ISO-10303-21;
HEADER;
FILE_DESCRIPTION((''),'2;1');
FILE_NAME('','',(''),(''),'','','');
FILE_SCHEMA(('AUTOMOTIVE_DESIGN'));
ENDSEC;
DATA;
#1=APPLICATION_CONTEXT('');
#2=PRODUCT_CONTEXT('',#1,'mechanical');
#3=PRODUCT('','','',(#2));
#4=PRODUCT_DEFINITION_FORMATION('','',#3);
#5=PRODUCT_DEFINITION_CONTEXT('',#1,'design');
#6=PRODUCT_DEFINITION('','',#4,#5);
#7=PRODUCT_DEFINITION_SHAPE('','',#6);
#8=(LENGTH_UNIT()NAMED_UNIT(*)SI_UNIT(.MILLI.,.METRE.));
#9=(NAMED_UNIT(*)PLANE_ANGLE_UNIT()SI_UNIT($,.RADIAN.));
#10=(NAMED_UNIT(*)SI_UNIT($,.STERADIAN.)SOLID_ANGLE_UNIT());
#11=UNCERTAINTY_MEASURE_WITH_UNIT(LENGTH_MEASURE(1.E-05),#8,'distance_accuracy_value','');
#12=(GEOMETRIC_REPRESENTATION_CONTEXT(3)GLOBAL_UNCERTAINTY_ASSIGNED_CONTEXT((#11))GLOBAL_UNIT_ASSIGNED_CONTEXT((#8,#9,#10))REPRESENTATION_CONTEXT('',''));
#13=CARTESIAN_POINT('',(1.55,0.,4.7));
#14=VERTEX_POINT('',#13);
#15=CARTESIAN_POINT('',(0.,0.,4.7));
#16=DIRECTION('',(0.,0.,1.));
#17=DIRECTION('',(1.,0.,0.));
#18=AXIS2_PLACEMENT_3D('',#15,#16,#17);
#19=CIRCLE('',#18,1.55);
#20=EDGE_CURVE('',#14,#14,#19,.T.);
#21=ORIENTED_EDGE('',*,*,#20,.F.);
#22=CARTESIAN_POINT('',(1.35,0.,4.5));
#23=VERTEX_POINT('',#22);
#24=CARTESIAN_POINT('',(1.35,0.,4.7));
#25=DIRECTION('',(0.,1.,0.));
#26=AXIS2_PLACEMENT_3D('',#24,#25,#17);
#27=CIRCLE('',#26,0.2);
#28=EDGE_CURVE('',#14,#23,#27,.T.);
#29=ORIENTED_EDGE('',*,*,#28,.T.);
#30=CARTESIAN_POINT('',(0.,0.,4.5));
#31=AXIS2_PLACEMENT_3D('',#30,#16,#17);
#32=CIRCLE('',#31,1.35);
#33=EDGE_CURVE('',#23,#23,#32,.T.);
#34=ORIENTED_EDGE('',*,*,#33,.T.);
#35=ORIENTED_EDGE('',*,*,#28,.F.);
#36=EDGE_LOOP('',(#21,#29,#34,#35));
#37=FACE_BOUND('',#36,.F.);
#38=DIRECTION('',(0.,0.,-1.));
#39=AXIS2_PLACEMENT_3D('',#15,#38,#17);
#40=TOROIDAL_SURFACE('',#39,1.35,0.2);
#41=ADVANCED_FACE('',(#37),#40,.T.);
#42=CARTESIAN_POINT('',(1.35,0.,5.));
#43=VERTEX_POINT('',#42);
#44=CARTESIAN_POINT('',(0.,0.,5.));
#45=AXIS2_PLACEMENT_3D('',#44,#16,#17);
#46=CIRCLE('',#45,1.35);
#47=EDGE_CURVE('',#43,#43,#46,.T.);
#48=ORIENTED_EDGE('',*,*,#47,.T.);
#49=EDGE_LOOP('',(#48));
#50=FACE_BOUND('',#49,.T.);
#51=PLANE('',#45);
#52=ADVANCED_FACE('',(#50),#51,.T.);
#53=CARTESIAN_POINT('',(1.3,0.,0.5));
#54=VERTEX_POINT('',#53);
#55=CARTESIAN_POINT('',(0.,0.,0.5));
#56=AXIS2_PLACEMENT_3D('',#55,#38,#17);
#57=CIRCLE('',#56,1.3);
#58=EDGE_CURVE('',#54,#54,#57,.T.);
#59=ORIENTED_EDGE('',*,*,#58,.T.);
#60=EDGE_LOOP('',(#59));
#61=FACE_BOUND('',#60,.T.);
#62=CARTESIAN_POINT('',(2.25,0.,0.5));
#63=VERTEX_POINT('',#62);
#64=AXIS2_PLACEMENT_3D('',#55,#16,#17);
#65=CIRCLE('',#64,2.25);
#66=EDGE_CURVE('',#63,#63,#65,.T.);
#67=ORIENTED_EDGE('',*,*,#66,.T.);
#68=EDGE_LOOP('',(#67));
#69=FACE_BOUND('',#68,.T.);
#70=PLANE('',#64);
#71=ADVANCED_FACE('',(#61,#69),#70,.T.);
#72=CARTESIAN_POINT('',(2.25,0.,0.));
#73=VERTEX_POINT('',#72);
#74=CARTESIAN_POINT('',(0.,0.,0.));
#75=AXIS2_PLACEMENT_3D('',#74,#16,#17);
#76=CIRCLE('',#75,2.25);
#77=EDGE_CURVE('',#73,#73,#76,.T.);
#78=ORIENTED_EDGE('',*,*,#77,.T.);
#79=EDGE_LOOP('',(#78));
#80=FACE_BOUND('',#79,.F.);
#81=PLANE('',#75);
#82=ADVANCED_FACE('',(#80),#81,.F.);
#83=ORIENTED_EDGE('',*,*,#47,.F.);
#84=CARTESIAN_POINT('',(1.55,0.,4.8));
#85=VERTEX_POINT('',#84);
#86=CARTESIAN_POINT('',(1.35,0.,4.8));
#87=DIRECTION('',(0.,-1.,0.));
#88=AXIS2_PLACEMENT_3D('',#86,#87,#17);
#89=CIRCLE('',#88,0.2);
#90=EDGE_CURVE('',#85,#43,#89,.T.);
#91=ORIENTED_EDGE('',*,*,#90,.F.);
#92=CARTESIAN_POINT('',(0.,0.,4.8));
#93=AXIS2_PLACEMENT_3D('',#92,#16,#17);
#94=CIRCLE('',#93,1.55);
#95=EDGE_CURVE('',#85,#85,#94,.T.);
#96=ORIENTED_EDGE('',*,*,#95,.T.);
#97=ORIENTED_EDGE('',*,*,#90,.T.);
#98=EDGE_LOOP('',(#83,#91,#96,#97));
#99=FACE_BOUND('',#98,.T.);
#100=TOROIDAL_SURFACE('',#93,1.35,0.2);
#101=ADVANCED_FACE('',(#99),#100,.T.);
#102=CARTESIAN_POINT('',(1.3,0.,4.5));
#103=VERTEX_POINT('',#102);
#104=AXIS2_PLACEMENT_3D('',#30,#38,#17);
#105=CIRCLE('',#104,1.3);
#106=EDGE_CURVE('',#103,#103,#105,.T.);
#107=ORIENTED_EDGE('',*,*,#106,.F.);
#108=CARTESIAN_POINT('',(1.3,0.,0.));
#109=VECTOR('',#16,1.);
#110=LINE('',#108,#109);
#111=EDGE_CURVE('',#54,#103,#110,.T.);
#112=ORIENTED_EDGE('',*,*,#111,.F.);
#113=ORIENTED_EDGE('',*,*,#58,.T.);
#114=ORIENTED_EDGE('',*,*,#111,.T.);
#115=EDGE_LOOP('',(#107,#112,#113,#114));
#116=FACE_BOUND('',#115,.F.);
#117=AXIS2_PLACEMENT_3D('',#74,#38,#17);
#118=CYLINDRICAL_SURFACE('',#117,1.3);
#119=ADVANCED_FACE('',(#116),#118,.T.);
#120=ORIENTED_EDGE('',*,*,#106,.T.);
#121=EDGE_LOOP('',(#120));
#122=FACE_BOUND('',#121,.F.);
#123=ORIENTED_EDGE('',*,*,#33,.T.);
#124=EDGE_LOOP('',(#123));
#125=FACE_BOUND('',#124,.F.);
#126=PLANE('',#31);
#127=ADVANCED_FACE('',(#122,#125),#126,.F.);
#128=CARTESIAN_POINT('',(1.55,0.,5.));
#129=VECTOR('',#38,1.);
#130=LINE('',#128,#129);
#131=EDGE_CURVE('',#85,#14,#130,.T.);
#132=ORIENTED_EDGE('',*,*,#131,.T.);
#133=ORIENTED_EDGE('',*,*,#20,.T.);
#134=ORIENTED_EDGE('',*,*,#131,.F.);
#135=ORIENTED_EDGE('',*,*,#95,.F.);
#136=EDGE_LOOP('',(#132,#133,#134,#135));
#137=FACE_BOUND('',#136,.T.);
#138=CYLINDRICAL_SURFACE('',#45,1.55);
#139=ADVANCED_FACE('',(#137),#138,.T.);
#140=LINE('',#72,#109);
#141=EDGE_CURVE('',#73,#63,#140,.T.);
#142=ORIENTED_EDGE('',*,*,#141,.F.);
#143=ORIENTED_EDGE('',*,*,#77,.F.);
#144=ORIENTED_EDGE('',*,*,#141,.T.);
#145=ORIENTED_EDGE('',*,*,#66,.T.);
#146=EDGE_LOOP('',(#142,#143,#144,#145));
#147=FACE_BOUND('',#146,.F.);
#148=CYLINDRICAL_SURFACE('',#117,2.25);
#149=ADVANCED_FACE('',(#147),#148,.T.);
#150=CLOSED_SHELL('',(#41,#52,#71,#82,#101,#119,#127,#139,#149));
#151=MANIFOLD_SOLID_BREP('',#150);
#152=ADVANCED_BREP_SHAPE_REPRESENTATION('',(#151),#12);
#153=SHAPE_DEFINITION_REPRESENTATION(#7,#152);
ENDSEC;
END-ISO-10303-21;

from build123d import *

# Parameters (mm, degrees)
F0_R     = 2.25
F0_R_2   = 1.5
F0_R_3   = 1.3
F1_DEPTH = 0.5
F2_DEPTH = 5
F3_R     = 1.55
F4_DEPTH = 0.5
F5_R     = 0.2


with BuildPart() as f1:
    # F0 (on Top) → F1 (new body)
    with BuildSketch(Plane.XY):
        Circle(F0_R)
        Circle(F0_R_2, mode=Mode.SUBTRACT)
        Circle(F0_R_2)
        Circle(F0_R_3, mode=Mode.SUBTRACT)
        Circle(F0_R_3)
    extrude(amount=F1_DEPTH)

    # F0 (on Top) → F2 (join)
    with BuildSketch(Plane.XY):
        Circle(F0_R_3)
    extrude(amount=F2_DEPTH)

    # F3 (on face) → F4 (join)
    with BuildSketch(Plane.XY.offset(5)):
        Circle(F3_R)
    extrude(amount=-F4_DEPTH)

    # F5
    f5_edges = [f1.edges().sort_by_distance(p)[0] for p in [
        (-1.55, 0, 4.5),
        (-1.55, 0, 5),
    ]]
    fillet(f5_edges, radius=F5_R)


solid = f1.part
